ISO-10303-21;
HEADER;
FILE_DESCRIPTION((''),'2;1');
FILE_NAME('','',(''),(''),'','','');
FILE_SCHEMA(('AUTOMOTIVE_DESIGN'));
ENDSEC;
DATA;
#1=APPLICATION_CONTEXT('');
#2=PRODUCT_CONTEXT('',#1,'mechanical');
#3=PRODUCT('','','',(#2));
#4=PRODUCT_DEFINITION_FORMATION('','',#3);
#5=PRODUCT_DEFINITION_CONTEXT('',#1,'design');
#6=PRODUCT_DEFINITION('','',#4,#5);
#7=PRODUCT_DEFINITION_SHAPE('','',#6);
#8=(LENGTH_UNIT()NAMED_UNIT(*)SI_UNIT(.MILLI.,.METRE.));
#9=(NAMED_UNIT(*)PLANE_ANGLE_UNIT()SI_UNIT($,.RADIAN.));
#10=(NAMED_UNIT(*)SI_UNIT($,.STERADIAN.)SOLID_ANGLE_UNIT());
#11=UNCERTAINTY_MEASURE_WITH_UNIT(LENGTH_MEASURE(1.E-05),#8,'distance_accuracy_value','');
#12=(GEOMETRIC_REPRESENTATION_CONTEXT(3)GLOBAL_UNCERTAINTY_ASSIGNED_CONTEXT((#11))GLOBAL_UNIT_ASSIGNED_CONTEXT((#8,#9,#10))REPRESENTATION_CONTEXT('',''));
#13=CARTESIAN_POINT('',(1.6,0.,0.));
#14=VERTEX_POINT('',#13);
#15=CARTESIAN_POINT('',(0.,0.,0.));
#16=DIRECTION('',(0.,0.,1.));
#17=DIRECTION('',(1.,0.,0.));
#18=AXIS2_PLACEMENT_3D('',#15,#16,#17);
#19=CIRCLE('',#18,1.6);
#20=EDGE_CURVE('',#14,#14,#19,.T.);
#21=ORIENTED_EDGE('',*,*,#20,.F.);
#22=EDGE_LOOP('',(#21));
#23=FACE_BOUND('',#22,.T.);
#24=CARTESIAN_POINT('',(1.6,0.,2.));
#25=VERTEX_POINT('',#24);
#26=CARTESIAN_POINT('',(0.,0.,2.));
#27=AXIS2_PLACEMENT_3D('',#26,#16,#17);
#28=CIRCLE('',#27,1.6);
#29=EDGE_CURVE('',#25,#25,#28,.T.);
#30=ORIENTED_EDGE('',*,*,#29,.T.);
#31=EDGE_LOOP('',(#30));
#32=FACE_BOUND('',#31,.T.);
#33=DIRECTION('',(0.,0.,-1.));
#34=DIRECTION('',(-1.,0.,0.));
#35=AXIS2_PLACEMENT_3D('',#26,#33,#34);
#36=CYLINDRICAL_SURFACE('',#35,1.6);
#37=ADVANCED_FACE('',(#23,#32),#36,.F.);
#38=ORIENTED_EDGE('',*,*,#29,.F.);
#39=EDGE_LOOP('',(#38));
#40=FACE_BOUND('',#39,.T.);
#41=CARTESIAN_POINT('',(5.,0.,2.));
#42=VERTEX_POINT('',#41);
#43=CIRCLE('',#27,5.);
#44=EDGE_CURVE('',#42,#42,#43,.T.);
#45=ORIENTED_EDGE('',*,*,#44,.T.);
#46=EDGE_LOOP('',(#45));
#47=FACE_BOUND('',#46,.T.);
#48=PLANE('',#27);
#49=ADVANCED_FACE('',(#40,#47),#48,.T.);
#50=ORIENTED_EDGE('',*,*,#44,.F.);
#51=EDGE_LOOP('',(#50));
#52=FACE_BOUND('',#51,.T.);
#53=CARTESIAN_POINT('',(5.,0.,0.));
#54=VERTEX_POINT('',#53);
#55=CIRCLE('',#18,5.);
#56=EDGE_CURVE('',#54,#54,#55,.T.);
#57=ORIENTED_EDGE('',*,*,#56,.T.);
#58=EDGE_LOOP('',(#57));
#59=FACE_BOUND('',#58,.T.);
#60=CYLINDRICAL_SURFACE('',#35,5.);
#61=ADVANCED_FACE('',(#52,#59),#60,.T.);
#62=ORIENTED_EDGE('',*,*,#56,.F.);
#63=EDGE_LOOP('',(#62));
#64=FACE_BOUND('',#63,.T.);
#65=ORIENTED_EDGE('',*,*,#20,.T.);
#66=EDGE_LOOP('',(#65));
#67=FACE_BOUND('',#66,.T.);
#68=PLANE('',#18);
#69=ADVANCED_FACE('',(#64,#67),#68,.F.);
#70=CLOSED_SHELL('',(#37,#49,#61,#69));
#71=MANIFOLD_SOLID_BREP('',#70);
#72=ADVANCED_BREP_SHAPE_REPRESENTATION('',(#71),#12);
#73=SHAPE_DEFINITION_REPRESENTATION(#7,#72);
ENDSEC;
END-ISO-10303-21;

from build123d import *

# Parameters (mm, degrees)
SKETCH_1_R      = 5
SKETCH_1_R_2    = 1.6
EXTRUDE_1_DEPTH = 2


with BuildPart() as part:
    # 草图1 → 凸台-拉伸1 (new body)
    with BuildSketch(Plane.XY):
        Circle(SKETCH_1_R)
        Circle(SKETCH_1_R_2, mode=Mode.SUBTRACT)
    extrude(amount=EXTRUDE_1_DEPTH)


solid = part.part
